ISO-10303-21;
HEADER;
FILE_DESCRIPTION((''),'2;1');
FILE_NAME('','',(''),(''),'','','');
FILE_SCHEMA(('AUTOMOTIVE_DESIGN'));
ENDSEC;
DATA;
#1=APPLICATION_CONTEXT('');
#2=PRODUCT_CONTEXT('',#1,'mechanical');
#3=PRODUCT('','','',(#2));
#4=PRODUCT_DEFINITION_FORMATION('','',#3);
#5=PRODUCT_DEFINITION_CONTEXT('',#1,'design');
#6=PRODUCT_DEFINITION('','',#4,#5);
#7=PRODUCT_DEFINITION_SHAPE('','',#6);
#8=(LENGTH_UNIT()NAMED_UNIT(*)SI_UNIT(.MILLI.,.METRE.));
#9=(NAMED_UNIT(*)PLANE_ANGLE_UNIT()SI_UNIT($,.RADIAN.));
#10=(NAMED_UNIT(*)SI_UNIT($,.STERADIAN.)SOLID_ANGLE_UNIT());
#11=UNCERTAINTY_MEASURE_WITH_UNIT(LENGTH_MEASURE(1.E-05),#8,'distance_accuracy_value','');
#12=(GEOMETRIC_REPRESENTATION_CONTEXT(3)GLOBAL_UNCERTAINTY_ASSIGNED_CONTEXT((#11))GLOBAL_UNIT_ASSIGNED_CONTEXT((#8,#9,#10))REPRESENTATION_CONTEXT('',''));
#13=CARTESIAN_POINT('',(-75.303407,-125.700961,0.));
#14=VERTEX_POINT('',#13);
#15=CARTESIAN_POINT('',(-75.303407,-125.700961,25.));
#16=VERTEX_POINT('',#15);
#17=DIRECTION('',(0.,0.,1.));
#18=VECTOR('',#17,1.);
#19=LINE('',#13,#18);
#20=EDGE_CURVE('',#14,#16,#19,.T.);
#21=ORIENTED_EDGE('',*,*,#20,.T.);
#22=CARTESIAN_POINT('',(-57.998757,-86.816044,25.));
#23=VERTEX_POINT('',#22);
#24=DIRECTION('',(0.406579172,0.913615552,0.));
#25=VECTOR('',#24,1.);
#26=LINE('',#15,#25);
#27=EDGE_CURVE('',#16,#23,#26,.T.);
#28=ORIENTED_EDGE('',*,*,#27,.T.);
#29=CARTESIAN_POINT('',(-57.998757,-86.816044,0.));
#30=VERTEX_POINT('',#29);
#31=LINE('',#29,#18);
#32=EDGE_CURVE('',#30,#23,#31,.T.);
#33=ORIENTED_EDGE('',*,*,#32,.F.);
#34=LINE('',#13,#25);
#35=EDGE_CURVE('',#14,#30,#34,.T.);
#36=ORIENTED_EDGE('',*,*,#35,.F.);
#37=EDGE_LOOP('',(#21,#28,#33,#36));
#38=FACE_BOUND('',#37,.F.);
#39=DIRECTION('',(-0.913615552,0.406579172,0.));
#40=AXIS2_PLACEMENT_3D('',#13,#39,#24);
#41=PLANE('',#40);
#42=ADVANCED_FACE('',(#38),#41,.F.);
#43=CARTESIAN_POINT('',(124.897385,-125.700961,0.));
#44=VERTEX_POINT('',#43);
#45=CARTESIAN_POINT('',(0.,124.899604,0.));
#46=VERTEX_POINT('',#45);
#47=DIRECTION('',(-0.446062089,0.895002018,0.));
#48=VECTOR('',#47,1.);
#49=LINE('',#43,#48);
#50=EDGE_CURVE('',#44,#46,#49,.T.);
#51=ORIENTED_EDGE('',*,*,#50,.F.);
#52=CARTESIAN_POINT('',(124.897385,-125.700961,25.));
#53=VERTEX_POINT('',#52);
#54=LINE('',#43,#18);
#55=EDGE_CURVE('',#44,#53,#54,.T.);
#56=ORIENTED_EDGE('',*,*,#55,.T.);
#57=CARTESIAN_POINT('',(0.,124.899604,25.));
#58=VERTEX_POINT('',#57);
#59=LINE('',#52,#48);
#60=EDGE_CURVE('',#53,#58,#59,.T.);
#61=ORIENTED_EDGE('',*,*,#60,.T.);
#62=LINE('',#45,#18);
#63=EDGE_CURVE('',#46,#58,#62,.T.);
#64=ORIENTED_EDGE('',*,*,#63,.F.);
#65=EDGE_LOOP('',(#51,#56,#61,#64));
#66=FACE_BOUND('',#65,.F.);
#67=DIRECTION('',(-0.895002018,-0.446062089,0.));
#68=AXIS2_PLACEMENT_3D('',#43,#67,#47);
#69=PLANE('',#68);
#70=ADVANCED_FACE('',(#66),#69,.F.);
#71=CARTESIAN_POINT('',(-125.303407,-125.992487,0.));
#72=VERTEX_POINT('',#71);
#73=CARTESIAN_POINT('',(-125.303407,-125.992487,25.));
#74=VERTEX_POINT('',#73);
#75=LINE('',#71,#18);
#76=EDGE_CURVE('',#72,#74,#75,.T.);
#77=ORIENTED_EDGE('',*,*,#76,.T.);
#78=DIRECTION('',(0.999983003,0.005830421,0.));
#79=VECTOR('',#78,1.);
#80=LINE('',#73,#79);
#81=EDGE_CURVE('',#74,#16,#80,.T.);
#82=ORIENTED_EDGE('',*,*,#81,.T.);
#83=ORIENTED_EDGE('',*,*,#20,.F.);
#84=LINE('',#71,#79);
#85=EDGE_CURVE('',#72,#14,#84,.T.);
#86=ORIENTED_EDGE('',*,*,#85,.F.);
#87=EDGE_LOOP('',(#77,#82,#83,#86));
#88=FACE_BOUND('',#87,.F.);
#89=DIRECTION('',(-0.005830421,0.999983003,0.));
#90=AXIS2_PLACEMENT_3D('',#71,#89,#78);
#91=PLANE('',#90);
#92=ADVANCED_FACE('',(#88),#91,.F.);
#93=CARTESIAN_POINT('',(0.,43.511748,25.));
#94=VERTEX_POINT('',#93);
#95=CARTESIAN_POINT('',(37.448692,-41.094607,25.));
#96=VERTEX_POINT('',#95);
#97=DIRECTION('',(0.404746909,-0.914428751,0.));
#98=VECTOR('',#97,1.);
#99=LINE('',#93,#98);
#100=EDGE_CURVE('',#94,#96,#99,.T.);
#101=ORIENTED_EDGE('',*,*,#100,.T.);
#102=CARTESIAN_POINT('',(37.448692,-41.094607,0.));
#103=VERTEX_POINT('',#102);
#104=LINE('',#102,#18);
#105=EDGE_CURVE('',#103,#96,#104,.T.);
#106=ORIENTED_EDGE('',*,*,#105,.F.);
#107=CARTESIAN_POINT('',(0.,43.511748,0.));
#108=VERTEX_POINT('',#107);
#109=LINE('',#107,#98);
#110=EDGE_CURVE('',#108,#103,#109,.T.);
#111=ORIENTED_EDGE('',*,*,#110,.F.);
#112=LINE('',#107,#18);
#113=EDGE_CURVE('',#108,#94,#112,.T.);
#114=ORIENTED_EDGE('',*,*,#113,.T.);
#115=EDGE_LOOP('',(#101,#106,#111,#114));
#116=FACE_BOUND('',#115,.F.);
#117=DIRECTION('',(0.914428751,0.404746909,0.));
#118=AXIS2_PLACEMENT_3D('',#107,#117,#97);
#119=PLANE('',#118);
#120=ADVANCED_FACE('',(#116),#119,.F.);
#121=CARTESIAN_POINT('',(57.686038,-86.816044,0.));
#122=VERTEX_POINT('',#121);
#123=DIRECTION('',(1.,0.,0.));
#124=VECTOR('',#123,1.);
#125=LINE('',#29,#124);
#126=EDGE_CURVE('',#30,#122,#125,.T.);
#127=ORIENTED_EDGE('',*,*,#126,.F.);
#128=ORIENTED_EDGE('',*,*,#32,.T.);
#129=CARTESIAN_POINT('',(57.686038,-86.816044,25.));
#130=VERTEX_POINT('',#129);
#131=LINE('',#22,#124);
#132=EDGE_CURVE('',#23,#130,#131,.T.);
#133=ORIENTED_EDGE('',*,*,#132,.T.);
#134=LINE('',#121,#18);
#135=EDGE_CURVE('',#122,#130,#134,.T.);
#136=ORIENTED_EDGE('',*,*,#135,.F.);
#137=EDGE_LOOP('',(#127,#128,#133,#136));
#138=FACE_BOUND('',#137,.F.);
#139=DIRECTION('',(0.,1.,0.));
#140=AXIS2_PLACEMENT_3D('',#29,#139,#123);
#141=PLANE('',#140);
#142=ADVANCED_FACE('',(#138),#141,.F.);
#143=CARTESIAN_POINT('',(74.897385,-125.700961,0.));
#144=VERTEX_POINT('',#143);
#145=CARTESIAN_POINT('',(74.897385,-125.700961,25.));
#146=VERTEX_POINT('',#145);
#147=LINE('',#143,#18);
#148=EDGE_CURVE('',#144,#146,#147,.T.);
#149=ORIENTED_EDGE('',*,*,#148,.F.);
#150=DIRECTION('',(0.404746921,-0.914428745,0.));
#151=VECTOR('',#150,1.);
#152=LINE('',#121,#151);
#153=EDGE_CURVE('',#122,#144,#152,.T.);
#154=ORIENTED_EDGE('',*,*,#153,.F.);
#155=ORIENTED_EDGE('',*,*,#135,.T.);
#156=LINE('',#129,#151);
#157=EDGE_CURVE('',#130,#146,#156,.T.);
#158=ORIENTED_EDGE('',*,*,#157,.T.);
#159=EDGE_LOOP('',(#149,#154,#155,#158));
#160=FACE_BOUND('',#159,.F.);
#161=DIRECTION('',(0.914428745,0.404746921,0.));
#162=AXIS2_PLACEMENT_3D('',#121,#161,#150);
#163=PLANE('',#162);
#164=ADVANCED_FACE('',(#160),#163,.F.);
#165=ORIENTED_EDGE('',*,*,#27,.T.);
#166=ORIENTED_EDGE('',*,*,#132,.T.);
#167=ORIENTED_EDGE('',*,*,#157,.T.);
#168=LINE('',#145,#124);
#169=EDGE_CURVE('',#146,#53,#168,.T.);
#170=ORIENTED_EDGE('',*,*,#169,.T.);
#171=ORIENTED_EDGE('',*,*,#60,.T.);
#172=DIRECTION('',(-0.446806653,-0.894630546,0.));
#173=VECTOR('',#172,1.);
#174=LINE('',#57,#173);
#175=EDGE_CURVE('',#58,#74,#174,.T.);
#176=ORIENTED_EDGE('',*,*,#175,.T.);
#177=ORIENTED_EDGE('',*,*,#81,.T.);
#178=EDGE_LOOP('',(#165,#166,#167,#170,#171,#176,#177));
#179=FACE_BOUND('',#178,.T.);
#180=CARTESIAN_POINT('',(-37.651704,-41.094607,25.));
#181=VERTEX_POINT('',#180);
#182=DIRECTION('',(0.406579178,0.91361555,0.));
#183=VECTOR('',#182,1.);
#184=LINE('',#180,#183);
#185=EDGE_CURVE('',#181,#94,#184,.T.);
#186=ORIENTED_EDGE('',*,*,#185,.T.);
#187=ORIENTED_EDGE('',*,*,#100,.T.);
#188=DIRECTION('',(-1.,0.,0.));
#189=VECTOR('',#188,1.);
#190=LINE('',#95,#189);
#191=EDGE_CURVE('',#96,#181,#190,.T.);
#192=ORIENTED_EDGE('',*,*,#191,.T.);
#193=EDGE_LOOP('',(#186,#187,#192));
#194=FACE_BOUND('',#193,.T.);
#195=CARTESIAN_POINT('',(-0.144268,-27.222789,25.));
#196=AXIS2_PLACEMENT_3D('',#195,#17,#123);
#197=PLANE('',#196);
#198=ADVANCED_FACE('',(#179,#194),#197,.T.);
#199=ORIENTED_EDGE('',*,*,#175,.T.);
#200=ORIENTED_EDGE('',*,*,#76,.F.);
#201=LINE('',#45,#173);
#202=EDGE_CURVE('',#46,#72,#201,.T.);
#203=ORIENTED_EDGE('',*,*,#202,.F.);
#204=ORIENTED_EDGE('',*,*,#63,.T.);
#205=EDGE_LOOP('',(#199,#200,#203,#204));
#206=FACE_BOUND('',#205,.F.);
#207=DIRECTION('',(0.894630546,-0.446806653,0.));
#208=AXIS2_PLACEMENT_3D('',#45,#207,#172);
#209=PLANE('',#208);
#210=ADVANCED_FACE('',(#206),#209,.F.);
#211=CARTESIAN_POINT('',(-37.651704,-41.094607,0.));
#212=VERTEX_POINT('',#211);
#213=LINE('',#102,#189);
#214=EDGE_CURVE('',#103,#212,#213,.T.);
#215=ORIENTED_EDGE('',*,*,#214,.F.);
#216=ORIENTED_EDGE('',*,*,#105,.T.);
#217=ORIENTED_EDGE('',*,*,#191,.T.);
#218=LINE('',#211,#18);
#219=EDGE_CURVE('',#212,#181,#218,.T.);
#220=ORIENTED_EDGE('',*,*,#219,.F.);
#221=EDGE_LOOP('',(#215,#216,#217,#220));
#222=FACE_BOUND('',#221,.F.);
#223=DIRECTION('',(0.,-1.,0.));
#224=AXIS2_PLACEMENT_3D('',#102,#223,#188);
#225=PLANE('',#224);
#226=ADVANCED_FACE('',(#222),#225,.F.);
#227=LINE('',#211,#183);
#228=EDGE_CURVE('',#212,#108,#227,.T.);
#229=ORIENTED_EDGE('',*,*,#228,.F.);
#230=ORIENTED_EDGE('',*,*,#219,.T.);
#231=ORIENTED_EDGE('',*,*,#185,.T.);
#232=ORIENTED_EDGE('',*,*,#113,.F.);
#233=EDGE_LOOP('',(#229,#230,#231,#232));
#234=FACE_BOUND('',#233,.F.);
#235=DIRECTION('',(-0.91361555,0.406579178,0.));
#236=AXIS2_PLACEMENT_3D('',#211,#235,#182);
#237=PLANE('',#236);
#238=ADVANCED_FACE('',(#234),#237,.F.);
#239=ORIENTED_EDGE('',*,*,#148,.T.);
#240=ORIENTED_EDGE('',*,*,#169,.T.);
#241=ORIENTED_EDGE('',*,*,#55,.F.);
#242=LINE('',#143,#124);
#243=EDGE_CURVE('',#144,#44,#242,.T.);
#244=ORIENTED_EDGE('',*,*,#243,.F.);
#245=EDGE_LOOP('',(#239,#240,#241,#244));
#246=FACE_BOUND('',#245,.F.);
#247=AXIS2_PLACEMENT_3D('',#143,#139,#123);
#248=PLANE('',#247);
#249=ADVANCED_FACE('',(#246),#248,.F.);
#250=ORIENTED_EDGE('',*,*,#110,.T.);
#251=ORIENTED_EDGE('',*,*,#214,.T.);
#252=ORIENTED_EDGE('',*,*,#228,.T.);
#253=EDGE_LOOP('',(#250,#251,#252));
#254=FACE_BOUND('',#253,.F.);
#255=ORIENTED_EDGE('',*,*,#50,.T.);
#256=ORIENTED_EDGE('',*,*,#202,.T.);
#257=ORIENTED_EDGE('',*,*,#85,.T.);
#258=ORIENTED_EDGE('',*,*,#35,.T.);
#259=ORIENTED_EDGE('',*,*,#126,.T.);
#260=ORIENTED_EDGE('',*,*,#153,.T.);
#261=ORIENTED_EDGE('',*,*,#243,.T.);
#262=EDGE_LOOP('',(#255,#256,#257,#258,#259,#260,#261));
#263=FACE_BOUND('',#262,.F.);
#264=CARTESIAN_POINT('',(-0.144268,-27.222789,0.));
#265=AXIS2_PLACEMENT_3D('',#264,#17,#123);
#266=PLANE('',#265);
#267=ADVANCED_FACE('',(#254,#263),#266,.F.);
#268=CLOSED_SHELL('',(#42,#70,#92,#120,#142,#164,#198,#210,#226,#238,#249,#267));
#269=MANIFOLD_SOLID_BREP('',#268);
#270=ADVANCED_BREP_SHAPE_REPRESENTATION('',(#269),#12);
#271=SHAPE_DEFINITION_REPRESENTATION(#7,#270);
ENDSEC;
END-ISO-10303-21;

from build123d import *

# Parameters (mm, degrees)
F1_DEPTH = 25


with BuildPart() as f1:
    # F0 (on Top) → F1 (new body)
    with BuildSketch(Plane.XY):
        Polygon((124.897385, -125.700961), (0, 124.899604), (-125.303407, -125.992487), (-75.303407, -125.700961), (-57.998757, -86.816044), (-37.651704, -41.094607), (0, 43.511748), (37.448692, -41.094607), (57.686038, -86.816044), (74.897385, -125.700961), align=None)
        Polygon((-37.651704, -41.094607), (-57.998757, -86.816044), (57.686038, -86.816044), (37.448692, -41.094607), align=None)
    extrude(amount=F1_DEPTH)


solid = f1.part
